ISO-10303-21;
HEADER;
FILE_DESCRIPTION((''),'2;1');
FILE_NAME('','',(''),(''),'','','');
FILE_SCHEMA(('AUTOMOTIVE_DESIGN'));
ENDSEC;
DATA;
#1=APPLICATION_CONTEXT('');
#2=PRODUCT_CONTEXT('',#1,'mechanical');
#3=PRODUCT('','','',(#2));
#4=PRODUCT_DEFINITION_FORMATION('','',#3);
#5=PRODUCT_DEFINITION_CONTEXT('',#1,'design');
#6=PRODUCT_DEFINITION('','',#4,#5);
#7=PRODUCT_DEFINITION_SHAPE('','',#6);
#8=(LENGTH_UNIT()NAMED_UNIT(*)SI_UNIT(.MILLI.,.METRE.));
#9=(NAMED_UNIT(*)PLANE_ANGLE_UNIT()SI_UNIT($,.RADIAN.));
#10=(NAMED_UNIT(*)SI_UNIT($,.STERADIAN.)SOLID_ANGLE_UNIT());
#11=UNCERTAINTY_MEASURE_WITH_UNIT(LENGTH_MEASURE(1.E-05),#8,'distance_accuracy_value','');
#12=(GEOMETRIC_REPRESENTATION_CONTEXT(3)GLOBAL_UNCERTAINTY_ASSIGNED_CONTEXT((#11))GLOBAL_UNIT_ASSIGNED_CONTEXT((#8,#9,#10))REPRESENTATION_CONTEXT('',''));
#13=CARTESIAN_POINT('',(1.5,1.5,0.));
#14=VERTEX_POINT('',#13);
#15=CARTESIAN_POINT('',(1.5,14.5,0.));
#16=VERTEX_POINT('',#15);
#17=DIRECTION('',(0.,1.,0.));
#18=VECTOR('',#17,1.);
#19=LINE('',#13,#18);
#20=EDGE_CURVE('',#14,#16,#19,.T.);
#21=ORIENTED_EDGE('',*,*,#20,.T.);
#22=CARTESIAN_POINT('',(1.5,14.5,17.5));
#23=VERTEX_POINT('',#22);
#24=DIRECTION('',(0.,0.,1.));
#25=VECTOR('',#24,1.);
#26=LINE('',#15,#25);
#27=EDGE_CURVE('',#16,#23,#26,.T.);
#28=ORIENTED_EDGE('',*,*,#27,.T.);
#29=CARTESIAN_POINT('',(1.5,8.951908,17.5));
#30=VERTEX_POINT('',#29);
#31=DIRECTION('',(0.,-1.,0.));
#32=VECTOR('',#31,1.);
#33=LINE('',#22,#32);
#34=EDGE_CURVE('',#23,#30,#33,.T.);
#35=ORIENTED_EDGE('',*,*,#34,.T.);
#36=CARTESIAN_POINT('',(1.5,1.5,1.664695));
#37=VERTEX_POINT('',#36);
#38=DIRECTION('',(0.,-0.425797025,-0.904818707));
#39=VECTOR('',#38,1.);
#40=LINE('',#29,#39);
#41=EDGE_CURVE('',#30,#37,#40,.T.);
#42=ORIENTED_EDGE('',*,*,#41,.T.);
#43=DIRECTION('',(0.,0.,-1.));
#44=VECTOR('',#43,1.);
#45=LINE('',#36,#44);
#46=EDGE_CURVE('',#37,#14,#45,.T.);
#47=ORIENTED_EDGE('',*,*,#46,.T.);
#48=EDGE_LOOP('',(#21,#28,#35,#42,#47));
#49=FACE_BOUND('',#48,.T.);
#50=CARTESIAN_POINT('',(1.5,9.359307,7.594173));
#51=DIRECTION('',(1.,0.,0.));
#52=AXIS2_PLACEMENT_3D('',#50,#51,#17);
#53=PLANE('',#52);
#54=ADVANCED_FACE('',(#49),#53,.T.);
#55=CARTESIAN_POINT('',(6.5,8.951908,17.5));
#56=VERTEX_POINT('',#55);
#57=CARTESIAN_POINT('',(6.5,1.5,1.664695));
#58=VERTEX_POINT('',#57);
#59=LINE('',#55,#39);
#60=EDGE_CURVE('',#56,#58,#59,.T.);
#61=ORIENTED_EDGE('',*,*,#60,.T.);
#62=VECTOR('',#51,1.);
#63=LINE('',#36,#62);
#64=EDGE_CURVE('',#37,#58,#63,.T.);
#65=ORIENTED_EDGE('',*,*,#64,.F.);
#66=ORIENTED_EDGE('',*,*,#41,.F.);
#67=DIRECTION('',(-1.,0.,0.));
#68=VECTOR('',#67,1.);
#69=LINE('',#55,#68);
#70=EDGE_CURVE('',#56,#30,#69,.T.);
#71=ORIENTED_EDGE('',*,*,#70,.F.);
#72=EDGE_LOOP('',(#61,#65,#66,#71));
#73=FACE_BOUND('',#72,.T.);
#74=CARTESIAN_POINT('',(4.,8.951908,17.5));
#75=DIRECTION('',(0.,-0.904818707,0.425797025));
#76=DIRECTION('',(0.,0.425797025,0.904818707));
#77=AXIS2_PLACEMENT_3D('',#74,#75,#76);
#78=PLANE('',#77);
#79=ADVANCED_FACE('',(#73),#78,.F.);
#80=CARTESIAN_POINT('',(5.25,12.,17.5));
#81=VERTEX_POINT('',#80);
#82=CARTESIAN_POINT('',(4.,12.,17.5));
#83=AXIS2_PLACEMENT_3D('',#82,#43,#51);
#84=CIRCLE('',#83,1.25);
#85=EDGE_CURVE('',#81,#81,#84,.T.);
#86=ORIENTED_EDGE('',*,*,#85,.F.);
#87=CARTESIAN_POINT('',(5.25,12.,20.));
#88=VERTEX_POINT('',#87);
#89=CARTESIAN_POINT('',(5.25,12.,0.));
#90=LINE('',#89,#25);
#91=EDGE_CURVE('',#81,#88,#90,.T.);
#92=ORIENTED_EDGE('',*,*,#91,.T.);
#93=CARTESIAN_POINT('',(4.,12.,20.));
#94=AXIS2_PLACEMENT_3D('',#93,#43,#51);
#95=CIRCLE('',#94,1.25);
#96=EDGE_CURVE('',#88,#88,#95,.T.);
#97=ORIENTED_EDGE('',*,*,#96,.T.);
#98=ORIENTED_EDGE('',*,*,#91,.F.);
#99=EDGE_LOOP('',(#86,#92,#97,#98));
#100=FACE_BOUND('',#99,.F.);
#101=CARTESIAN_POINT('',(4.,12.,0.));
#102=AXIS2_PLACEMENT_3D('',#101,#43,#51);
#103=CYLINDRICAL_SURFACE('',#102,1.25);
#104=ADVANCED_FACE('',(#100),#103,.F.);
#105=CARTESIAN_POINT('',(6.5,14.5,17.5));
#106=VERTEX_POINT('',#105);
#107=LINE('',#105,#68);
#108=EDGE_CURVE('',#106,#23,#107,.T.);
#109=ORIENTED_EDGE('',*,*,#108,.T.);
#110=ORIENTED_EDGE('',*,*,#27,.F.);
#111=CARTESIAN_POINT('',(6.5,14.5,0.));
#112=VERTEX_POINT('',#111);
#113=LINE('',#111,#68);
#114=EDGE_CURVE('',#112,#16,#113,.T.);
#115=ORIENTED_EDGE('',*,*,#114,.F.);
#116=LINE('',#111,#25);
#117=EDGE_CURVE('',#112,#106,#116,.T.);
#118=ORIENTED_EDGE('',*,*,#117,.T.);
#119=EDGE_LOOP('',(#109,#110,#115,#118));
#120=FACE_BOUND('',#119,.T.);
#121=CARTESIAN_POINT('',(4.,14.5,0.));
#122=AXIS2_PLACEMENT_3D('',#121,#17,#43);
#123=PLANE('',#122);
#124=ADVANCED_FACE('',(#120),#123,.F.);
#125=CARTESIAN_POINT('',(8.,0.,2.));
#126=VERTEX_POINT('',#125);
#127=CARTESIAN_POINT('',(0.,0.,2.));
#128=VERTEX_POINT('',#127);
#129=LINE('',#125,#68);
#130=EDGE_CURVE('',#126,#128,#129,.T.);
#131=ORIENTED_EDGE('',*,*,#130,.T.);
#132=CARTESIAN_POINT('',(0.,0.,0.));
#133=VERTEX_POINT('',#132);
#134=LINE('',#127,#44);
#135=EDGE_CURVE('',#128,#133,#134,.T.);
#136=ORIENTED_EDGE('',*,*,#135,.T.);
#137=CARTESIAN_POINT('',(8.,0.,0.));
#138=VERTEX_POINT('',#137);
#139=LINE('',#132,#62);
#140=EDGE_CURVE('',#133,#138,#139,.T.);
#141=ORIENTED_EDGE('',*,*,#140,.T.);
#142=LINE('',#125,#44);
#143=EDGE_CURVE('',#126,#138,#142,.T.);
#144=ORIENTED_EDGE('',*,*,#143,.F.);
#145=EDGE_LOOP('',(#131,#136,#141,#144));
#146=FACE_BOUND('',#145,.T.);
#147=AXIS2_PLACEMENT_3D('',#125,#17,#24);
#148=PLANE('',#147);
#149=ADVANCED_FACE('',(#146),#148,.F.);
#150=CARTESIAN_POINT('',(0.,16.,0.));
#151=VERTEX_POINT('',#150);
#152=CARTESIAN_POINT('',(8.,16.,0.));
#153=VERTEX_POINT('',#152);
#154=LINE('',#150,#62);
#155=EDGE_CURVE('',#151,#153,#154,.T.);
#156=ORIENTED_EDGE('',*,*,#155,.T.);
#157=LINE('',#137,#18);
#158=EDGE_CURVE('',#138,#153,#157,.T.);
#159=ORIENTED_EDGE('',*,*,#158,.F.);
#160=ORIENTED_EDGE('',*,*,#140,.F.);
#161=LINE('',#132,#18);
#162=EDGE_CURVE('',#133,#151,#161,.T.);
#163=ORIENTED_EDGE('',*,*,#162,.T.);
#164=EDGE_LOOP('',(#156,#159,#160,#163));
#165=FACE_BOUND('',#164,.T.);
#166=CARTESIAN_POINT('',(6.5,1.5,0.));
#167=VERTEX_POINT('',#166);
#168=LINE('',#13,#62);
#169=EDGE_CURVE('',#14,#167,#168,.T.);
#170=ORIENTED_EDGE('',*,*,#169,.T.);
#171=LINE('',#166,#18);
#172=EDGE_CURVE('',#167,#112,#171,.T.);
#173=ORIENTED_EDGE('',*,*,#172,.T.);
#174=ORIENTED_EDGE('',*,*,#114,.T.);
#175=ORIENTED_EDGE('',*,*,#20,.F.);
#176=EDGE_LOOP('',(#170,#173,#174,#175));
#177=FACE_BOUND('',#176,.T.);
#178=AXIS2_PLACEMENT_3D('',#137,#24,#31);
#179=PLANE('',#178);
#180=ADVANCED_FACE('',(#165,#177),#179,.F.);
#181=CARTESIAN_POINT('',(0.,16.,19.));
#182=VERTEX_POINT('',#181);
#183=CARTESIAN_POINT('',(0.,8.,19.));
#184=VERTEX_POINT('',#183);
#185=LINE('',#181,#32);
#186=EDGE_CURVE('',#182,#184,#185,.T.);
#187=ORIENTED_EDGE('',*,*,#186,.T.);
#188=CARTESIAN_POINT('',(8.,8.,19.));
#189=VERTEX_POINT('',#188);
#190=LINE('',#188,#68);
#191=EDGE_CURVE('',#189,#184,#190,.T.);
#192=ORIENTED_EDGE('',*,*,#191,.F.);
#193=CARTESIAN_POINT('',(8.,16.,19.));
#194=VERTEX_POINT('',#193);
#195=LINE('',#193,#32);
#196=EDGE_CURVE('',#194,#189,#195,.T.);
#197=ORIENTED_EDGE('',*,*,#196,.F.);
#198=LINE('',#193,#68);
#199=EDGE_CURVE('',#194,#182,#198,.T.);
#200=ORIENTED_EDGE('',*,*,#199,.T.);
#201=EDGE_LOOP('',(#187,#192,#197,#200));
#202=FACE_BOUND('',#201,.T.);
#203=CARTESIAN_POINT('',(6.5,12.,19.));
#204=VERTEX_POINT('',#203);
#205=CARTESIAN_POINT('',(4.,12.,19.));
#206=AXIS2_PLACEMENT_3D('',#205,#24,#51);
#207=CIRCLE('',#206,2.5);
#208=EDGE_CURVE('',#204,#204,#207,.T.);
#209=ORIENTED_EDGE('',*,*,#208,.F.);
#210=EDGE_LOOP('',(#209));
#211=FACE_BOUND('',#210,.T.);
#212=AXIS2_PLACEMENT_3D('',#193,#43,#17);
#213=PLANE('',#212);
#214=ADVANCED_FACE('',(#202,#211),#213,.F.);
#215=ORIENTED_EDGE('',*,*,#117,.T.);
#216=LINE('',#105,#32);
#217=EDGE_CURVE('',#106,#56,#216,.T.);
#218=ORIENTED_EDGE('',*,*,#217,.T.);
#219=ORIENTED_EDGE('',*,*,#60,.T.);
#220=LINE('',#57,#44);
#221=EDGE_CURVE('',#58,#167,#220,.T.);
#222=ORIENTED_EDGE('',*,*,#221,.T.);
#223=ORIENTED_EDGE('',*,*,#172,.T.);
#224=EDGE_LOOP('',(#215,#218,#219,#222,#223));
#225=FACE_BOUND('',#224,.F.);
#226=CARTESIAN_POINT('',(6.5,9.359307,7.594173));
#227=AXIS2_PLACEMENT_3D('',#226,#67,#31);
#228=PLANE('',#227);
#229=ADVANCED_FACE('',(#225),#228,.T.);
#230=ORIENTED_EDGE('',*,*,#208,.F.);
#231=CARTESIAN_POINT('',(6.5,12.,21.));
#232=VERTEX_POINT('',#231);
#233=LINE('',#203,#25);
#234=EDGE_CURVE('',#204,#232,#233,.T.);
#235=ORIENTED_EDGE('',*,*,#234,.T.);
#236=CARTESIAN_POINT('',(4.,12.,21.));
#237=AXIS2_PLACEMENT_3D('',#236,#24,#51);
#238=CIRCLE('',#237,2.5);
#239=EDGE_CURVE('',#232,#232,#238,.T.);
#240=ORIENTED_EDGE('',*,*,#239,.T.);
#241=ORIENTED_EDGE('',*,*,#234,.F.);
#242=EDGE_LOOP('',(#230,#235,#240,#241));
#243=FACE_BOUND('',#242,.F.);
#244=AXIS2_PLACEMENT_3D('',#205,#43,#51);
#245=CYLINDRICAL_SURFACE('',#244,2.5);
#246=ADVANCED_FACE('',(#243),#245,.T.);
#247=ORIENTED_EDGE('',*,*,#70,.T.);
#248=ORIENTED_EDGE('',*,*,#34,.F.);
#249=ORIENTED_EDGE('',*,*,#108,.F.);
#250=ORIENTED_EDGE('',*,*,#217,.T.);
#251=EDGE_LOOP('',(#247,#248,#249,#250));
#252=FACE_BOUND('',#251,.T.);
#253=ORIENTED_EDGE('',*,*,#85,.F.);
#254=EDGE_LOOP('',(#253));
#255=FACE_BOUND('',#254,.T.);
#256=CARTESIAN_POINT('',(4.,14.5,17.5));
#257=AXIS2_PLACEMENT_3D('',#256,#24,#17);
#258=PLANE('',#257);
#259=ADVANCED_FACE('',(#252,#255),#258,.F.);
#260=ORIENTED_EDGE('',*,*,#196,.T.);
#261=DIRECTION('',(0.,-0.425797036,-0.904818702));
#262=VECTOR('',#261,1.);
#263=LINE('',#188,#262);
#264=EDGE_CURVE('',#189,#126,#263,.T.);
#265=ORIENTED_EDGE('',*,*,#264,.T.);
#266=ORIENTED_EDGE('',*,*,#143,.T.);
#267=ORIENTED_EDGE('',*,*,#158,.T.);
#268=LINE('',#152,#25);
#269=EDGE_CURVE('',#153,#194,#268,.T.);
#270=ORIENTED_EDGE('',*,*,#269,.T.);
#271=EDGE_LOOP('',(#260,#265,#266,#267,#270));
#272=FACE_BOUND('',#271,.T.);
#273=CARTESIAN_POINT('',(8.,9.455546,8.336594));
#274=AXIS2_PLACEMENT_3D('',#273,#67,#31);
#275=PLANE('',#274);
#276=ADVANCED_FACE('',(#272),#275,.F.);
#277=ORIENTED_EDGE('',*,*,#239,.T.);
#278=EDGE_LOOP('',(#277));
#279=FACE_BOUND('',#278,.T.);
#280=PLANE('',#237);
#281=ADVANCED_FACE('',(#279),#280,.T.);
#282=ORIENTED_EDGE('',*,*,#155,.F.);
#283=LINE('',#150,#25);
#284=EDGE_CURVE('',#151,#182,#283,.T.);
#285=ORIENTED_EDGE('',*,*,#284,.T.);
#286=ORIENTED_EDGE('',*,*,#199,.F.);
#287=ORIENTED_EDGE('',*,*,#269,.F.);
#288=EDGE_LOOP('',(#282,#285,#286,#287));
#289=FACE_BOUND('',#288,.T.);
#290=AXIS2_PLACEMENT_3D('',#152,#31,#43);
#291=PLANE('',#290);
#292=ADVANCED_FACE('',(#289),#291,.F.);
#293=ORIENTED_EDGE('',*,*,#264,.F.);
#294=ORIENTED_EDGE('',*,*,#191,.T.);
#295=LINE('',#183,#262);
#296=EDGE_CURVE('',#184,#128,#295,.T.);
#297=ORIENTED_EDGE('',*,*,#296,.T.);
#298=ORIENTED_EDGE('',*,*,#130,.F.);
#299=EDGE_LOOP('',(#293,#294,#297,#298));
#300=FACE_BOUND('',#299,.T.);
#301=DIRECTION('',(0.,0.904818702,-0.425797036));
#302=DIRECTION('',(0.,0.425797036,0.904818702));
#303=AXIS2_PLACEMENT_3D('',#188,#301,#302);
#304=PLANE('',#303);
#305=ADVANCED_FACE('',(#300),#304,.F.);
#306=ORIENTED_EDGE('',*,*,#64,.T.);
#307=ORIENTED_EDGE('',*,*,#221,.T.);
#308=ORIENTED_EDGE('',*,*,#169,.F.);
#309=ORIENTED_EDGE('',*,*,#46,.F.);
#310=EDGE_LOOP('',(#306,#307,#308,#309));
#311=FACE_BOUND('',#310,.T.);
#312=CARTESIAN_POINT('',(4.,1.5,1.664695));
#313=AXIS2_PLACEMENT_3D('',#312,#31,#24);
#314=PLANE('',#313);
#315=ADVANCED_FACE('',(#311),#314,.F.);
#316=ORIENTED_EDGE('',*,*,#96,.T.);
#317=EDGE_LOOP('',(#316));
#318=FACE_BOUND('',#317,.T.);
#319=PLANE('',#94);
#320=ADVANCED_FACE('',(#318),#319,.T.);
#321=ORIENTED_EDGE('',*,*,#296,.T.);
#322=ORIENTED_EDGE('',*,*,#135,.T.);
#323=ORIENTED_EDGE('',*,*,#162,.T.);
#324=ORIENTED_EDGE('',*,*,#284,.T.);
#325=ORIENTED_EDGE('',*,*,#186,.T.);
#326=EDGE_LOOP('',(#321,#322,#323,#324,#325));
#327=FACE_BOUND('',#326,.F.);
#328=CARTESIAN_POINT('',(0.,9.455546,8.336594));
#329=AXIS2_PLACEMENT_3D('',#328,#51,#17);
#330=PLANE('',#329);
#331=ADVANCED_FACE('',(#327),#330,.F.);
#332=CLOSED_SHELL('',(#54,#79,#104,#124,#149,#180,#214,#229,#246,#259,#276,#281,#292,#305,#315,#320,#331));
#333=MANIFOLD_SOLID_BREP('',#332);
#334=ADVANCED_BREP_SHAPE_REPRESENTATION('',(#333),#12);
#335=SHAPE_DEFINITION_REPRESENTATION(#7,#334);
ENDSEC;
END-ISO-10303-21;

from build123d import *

# Parameters (mm, degrees)
F1_DEPTH = 4
F3_DEPTH = 2.5
F5_R     = 2.5
F6_DEPTH = 2
F7_R     = 1.25
F8_DEPTH = 20


with BuildPart() as f1:
    # F0 (on Right) → F1 (new body)
    with BuildSketch(Plane.YZ):
        Polygon((0, 2), (0, 0), (16, 0), (16, 19), (8, 19), align=None)
    extrude(amount=F1_DEPTH)

    # F2 (on face) → F3 (cut)
    with BuildSketch(Plane.YZ.offset(4)):
        Polygon((14.5, 0), (14.5, 17.5), (8.951908, 17.5), (1.5, 1.664695), (1.5, 0), align=None)
    extrude(amount=-F3_DEPTH, mode=Mode.SUBTRACT)

    # F4: F1 across face


with BuildPart() as f1_1:
    add(f1.part)
    add(f1.part.mirror(Plane(origin=(4, 9.86239, 10.544939), x_dir=(0, 1, 0), z_dir=(1, 0, 0))))

    # F5 (on face) → F6 (join)
    with BuildSketch(Plane.XY.offset(19)):
        with Locations((4, 12)):
            Circle(F5_R)
    extrude(amount=F6_DEPTH)

    # F7 (on face) → F8 (cut)
    with BuildSketch(Plane(origin=(0, 0, 0), x_dir=(1, 0, 0), z_dir=(0, 0, -1))):
        with Locations((4, -12)):
            Circle(F7_R)
    extrude(amount=-F8_DEPTH, mode=Mode.SUBTRACT)


solid = f1_1.part
